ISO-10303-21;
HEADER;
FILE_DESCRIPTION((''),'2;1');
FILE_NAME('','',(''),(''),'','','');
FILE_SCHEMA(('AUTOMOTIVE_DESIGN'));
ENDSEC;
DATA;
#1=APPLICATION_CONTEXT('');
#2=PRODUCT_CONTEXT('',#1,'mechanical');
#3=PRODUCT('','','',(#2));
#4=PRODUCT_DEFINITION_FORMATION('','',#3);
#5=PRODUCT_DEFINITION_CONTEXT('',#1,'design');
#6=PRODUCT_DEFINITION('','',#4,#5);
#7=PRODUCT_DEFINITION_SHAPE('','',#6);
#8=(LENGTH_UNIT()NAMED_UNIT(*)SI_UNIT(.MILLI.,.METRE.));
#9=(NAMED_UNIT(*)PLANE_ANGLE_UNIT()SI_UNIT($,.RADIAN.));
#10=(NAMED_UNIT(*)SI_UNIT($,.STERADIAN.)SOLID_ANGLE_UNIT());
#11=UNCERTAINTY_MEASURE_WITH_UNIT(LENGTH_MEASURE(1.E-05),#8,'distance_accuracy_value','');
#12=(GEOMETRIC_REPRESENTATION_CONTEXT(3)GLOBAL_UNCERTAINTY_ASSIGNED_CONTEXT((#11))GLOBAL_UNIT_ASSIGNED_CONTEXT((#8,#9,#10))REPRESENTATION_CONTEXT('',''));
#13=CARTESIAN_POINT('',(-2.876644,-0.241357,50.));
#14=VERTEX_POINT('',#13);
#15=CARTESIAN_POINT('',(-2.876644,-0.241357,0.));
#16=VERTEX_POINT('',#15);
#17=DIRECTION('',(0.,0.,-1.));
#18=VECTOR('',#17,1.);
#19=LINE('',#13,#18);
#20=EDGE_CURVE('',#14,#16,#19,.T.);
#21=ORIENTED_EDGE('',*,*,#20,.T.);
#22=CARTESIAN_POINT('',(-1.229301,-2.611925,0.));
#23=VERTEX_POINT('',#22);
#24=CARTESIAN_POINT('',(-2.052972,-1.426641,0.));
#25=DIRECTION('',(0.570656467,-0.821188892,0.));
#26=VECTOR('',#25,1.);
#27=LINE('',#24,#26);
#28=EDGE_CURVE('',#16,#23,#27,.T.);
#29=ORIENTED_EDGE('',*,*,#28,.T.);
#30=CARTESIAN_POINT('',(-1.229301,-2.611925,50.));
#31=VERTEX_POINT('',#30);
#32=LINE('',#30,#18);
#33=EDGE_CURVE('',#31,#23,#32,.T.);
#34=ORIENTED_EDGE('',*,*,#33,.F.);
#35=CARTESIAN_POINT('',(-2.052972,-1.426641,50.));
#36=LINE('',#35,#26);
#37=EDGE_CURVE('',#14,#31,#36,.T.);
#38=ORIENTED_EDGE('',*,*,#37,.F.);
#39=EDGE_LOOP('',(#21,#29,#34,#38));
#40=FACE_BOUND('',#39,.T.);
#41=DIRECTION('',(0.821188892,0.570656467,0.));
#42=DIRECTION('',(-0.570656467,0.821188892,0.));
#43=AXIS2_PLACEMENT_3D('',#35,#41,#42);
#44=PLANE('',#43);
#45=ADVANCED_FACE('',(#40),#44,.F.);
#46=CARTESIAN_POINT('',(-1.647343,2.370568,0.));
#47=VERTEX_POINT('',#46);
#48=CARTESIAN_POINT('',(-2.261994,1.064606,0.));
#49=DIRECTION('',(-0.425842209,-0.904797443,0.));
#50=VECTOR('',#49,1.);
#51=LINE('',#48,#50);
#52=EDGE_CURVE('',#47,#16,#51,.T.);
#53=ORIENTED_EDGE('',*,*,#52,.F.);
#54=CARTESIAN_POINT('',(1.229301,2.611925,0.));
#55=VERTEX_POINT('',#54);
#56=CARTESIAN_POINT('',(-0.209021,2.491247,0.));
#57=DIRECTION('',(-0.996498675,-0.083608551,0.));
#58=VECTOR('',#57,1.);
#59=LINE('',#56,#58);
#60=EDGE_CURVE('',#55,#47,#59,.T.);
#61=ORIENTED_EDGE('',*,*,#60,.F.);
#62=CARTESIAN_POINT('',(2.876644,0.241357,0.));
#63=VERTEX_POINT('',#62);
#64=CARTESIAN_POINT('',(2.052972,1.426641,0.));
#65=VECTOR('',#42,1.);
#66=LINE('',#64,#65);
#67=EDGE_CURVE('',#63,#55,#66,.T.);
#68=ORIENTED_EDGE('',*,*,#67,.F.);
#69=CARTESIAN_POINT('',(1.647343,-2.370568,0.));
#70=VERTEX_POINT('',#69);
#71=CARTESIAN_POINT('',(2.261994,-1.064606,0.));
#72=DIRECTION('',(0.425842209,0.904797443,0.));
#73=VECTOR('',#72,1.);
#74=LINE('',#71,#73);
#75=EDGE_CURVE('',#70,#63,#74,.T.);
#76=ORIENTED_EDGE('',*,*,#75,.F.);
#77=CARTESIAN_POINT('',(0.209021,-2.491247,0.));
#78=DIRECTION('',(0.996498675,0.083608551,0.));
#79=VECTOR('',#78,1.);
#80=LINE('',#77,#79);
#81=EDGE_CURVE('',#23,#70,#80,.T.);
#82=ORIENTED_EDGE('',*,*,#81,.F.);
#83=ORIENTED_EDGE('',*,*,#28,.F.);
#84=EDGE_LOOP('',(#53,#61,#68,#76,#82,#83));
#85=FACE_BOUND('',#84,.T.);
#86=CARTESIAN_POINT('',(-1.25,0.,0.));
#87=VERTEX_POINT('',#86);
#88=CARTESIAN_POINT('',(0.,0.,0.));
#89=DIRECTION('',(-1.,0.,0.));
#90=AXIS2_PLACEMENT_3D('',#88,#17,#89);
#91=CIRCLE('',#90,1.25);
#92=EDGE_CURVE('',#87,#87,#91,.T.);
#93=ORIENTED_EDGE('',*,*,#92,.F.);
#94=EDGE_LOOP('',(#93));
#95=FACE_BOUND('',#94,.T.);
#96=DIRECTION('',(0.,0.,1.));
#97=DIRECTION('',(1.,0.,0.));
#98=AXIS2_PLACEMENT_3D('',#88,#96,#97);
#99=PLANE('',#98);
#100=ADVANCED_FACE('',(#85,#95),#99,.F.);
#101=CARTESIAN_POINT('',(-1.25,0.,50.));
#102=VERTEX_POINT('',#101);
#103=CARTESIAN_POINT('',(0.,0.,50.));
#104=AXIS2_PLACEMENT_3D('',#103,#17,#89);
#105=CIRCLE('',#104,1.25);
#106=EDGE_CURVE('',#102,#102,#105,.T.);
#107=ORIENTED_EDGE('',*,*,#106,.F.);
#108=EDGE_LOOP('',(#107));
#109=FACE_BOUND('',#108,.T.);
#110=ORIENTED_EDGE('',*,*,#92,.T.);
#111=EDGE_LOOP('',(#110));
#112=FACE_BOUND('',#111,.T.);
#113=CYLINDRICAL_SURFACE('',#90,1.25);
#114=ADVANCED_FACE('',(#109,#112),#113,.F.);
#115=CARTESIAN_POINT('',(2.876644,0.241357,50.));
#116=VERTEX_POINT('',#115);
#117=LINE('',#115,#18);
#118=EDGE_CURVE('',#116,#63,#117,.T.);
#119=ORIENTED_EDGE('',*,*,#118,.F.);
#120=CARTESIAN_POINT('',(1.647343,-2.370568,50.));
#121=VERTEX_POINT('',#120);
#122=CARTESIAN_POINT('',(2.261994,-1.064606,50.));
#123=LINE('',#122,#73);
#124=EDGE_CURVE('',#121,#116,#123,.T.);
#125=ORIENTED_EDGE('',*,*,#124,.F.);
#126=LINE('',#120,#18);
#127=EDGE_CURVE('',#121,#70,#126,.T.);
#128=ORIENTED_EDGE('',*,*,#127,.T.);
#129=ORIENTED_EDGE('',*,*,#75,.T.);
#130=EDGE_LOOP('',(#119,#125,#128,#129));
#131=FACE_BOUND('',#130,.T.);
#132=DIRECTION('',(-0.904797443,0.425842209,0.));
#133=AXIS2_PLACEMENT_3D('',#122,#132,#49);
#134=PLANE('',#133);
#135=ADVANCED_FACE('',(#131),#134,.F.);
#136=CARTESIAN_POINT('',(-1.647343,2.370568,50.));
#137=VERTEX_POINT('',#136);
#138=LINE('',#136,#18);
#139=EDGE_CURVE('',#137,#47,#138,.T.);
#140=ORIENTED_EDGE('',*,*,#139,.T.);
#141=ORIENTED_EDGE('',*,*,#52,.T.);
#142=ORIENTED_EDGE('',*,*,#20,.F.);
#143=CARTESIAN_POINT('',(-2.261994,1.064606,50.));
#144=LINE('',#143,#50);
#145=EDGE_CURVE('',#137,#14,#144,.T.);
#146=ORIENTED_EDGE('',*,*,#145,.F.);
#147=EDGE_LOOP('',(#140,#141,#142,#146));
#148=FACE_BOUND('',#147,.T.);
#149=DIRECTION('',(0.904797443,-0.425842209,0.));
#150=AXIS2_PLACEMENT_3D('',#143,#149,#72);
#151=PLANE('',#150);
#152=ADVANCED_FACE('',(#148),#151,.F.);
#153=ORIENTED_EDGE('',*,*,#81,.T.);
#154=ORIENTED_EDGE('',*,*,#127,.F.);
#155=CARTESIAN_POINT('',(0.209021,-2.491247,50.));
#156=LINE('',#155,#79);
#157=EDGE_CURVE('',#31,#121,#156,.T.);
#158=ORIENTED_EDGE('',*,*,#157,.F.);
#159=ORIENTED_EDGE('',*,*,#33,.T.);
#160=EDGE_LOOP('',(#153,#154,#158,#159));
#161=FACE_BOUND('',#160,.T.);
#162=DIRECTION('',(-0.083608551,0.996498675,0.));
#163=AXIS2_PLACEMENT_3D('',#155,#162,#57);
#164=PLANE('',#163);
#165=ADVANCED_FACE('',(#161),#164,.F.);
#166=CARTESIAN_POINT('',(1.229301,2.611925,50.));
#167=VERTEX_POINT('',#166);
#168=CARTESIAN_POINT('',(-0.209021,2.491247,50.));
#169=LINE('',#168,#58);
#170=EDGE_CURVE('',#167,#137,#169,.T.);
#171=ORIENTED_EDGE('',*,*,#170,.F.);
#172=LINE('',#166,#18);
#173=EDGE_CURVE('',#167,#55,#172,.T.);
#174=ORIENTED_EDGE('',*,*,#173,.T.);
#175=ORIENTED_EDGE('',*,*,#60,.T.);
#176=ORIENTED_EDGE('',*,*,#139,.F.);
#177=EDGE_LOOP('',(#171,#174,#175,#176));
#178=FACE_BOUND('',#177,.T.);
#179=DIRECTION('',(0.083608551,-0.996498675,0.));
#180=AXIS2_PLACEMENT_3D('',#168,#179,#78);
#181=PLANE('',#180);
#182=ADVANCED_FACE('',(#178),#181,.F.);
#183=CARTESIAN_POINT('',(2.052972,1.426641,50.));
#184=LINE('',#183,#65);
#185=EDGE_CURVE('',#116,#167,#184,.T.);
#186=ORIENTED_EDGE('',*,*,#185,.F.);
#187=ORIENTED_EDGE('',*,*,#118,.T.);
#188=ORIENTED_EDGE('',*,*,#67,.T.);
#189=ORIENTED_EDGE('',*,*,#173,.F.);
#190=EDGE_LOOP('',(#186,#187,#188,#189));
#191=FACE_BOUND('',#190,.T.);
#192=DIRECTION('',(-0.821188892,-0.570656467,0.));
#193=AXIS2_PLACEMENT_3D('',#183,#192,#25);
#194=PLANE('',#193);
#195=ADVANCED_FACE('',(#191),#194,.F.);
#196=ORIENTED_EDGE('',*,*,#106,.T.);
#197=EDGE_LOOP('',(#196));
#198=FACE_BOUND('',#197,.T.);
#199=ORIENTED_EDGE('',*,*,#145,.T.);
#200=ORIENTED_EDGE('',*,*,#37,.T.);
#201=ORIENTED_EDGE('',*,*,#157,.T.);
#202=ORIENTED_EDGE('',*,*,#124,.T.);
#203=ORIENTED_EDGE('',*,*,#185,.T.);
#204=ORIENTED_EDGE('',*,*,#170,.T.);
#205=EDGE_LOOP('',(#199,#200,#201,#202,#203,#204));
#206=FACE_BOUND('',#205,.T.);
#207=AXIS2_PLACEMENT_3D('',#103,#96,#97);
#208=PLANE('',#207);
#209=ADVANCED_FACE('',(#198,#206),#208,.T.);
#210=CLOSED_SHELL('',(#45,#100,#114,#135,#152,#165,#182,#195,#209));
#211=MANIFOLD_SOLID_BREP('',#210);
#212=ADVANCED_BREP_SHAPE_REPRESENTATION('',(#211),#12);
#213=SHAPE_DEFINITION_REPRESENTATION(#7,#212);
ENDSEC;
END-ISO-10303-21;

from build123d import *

# Parameters (mm, degrees)
EXTRUDE_1_DEPTH    = 50
HOLE_WIZARD_M3_1_D = 2.5


with BuildPart() as part:
    # 草图1 → 凸台-拉伸1 (new body)
    with BuildSketch(Plane.XY):
        Polygon((1.647343323, -2.37056814), (2.876643893, 0.241357097), (1.229300569, 2.611925237), (-1.647343323, 2.37056814), (-2.876643893, -0.241357097), (-1.229300569, -2.611925237), align=None)
    extrude(amount=EXTRUDE_1_DEPTH)

    # M3 螺纹孔1 (through all)
    with Locations(Plane(origin=(0, 0, 0), x_dir=(-1, 0, 0), z_dir=(0, 0, -1))):
        with Locations((0, 0)):
            Hole(HOLE_WIZARD_M3_1_D / 2)


solid = part.part
